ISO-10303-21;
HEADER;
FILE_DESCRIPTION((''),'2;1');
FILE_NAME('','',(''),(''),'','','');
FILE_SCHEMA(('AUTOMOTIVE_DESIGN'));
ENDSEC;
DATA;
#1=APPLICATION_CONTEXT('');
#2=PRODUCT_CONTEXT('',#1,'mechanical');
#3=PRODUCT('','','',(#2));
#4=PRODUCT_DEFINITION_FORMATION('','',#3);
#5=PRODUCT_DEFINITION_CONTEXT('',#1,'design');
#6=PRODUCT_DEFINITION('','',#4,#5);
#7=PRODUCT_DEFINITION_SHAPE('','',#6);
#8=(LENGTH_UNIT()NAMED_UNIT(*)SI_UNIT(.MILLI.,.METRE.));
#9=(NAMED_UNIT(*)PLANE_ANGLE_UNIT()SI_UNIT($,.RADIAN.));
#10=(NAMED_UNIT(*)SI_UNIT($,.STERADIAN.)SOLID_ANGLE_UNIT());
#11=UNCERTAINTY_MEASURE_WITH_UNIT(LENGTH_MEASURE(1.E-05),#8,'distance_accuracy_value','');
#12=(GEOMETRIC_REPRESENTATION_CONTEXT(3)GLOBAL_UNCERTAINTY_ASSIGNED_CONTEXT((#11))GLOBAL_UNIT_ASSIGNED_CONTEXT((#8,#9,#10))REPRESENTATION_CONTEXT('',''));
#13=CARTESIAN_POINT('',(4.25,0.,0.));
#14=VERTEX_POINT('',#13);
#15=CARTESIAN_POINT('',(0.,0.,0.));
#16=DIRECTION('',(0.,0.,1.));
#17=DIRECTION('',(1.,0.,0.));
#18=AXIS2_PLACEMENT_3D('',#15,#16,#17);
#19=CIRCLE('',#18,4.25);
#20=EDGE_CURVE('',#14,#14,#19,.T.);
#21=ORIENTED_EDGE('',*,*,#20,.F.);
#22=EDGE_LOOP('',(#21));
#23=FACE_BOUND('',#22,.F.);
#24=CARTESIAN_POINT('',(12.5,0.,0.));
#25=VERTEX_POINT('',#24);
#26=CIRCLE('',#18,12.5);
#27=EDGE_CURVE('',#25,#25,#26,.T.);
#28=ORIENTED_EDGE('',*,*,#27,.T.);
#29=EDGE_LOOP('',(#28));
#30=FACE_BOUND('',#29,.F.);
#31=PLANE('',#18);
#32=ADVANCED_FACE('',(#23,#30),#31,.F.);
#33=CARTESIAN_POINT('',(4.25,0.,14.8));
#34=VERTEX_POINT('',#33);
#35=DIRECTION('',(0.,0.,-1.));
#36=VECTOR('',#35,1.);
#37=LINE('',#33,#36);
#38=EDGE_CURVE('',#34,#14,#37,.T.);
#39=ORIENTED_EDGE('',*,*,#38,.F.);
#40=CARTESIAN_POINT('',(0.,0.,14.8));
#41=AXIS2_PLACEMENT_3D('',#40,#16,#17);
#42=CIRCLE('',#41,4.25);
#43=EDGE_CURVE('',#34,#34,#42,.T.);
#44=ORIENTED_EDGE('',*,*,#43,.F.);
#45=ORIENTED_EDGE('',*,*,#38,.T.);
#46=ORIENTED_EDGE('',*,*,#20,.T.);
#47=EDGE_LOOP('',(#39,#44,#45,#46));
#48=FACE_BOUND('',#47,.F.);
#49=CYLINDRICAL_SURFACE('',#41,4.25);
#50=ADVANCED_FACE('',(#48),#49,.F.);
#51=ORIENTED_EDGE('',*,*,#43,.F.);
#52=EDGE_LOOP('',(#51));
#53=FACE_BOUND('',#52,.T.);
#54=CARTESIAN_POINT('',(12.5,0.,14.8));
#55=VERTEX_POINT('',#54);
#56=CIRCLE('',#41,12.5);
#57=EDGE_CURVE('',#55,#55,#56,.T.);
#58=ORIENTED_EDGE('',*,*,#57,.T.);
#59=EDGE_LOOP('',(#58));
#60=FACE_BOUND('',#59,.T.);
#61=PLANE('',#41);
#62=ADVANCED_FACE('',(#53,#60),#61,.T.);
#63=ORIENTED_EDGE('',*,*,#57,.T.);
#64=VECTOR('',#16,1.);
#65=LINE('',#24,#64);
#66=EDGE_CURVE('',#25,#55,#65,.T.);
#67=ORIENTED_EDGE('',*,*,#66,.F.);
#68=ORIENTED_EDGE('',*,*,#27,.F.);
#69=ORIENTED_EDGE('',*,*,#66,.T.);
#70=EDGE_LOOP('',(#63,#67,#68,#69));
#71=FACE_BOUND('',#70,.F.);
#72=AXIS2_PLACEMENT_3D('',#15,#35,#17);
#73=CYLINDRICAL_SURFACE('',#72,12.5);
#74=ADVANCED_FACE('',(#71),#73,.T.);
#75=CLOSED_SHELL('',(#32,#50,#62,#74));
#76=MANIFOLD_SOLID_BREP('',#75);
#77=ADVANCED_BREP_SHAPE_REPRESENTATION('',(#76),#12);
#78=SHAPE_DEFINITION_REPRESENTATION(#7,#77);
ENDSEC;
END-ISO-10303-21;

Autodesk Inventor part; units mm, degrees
ref_plane "YZ Plane" through (0, 0, 0) normal (1, 0, 0) x (0, 1, 0)
ref_plane "XZ Plane" through (0, 0, 0) normal (0, 1, 0) x (-1, 0, 0)
ref_plane "XY Plane" through (0, 0, 0) normal (0, 0, 1) x (1, 0, 0)
sketch "Sketch1" plane through (0, 0, 0) normal (0, 0, 1) x (1, 0, 0)
  circle A0 centre (0, 0) radius 12.5
  dimension "d0" = 25
extrude "Extrusion1" add sketch "Sketch1" along normal blind 14.8
sketch "Sketch2" plane through (0, 0, 14.8) normal (0, 0, 1) x (1, 0, 0)
  circle A0 centre (0, 0) radius 12.5 projected
  circle A1 centre (0, 0) radius 4.25
  dimension "d4" = 8.5
extrude "Extrusion2" cut sketch "Sketch2" against normal through all contours A1
properties part number "central pivot space"
